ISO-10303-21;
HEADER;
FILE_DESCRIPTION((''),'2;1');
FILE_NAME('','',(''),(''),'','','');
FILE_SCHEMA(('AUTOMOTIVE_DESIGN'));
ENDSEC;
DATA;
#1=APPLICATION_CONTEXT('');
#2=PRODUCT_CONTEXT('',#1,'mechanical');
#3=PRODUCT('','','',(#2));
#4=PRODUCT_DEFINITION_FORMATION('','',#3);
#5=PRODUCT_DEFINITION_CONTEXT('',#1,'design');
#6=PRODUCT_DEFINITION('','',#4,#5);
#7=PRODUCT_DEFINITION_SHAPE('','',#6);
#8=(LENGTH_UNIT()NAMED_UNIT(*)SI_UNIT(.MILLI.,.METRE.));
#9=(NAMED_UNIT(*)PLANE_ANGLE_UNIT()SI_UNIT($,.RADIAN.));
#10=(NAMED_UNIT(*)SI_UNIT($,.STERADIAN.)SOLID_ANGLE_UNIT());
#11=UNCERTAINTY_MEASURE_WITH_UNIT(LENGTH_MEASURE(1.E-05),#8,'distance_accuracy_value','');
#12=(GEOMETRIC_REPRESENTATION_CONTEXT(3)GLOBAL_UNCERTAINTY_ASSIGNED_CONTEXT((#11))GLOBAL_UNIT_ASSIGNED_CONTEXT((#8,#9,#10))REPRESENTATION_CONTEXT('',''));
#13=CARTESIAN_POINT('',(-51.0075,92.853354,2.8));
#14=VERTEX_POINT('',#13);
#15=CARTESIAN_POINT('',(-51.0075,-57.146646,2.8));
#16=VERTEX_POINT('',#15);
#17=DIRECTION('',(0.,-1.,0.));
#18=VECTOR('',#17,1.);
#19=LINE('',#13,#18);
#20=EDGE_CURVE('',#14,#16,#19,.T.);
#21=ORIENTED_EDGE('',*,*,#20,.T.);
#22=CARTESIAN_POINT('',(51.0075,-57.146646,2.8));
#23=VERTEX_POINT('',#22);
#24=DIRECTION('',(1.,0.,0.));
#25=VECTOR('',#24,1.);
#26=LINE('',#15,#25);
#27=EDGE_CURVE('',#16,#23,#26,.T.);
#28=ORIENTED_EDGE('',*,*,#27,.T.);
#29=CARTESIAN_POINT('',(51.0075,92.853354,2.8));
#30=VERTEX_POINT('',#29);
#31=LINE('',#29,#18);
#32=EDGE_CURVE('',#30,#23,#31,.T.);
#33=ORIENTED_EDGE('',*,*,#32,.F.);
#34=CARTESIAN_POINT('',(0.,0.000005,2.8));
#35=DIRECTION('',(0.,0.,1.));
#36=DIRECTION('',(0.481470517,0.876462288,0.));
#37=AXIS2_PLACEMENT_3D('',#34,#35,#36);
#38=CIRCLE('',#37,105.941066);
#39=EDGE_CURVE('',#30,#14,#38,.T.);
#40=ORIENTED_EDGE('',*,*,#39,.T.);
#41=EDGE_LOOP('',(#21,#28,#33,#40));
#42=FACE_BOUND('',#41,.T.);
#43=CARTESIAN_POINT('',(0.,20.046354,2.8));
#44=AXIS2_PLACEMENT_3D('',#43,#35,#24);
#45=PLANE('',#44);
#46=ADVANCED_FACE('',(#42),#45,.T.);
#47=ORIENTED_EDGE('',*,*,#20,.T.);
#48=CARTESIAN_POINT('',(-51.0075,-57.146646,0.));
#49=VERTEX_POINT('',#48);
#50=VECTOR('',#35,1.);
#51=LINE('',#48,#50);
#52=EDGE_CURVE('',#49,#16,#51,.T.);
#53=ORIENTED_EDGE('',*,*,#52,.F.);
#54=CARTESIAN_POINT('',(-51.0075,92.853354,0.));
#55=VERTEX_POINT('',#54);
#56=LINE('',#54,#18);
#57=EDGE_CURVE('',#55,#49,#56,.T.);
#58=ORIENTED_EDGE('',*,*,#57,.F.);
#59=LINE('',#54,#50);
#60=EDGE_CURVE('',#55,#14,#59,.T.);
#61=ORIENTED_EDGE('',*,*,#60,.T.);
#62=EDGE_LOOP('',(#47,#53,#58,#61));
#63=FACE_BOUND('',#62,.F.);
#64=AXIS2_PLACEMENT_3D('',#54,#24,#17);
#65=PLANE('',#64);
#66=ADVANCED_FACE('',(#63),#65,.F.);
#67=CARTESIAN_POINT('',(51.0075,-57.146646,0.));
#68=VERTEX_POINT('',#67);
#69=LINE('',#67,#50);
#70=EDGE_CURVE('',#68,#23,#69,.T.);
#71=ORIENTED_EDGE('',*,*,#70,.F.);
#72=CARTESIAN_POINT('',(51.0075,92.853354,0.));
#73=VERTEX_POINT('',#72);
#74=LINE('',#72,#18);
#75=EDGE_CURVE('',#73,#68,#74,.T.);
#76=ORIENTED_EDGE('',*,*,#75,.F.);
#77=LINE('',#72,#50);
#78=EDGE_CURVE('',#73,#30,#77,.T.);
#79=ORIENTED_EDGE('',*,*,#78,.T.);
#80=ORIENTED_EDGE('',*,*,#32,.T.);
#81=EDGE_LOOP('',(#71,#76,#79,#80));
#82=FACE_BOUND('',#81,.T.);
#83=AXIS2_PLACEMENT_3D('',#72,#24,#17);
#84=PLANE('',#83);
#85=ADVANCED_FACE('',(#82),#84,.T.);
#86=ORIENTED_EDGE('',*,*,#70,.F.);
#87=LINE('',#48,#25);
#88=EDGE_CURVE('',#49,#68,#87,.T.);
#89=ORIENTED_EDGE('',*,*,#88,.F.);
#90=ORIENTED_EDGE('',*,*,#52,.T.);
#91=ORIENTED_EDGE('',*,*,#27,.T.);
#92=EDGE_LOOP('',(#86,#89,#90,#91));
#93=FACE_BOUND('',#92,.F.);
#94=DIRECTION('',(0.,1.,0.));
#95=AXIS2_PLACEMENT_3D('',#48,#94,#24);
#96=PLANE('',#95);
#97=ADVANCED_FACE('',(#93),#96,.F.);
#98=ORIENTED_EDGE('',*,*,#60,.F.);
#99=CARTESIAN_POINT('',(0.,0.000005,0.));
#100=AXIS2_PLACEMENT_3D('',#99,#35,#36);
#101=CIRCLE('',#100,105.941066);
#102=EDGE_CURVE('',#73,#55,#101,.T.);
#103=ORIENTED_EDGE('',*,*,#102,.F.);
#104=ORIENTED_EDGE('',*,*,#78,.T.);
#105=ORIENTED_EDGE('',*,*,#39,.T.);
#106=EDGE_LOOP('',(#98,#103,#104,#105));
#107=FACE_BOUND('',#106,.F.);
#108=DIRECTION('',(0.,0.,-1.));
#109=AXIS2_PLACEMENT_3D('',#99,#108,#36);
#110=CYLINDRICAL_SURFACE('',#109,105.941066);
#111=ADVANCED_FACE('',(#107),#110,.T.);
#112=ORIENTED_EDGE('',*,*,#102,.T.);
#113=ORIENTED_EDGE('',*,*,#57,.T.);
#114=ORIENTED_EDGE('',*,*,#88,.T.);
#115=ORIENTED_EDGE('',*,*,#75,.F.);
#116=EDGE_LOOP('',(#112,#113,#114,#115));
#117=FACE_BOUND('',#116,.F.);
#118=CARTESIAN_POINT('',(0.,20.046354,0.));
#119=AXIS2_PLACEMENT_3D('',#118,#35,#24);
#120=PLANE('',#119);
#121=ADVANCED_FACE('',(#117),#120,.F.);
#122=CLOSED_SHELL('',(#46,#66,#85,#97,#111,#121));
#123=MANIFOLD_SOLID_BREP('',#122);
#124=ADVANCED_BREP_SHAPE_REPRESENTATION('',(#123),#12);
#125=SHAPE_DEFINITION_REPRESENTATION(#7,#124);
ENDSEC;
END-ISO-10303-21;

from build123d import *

# Parameters (mm, degrees)
PAD_DEPTH = 2.8


with BuildPart() as part:
    # Sketch001 → Pad (new body)
    with BuildSketch(Plane.XY):
        with BuildLine():
            ThreePointArc((51.0075, 92.853354), (0, 105.941071), (-51.0075, 92.853354))
            Line((-51.0075, 92.853354), (-51.0075, -0.146646))
            Line((-51.0075, -0.146646), (-51.0075, -13.146646))
            Line((-51.0075, -57.146646), (-51.0075, -13.146646))
            Line((-51.0075, -57.146646), (51.0075, -57.146646))
            Line((51.0075, -13.146646), (51.0075, -57.146646))
            Line((51.0075, -0.146646), (51.0075, -13.146646))
            Line((51.0075, 92.853354), (51.0075, -0.146646))
        make_face()
    extrude(amount=PAD_DEPTH)


solid = part.part
